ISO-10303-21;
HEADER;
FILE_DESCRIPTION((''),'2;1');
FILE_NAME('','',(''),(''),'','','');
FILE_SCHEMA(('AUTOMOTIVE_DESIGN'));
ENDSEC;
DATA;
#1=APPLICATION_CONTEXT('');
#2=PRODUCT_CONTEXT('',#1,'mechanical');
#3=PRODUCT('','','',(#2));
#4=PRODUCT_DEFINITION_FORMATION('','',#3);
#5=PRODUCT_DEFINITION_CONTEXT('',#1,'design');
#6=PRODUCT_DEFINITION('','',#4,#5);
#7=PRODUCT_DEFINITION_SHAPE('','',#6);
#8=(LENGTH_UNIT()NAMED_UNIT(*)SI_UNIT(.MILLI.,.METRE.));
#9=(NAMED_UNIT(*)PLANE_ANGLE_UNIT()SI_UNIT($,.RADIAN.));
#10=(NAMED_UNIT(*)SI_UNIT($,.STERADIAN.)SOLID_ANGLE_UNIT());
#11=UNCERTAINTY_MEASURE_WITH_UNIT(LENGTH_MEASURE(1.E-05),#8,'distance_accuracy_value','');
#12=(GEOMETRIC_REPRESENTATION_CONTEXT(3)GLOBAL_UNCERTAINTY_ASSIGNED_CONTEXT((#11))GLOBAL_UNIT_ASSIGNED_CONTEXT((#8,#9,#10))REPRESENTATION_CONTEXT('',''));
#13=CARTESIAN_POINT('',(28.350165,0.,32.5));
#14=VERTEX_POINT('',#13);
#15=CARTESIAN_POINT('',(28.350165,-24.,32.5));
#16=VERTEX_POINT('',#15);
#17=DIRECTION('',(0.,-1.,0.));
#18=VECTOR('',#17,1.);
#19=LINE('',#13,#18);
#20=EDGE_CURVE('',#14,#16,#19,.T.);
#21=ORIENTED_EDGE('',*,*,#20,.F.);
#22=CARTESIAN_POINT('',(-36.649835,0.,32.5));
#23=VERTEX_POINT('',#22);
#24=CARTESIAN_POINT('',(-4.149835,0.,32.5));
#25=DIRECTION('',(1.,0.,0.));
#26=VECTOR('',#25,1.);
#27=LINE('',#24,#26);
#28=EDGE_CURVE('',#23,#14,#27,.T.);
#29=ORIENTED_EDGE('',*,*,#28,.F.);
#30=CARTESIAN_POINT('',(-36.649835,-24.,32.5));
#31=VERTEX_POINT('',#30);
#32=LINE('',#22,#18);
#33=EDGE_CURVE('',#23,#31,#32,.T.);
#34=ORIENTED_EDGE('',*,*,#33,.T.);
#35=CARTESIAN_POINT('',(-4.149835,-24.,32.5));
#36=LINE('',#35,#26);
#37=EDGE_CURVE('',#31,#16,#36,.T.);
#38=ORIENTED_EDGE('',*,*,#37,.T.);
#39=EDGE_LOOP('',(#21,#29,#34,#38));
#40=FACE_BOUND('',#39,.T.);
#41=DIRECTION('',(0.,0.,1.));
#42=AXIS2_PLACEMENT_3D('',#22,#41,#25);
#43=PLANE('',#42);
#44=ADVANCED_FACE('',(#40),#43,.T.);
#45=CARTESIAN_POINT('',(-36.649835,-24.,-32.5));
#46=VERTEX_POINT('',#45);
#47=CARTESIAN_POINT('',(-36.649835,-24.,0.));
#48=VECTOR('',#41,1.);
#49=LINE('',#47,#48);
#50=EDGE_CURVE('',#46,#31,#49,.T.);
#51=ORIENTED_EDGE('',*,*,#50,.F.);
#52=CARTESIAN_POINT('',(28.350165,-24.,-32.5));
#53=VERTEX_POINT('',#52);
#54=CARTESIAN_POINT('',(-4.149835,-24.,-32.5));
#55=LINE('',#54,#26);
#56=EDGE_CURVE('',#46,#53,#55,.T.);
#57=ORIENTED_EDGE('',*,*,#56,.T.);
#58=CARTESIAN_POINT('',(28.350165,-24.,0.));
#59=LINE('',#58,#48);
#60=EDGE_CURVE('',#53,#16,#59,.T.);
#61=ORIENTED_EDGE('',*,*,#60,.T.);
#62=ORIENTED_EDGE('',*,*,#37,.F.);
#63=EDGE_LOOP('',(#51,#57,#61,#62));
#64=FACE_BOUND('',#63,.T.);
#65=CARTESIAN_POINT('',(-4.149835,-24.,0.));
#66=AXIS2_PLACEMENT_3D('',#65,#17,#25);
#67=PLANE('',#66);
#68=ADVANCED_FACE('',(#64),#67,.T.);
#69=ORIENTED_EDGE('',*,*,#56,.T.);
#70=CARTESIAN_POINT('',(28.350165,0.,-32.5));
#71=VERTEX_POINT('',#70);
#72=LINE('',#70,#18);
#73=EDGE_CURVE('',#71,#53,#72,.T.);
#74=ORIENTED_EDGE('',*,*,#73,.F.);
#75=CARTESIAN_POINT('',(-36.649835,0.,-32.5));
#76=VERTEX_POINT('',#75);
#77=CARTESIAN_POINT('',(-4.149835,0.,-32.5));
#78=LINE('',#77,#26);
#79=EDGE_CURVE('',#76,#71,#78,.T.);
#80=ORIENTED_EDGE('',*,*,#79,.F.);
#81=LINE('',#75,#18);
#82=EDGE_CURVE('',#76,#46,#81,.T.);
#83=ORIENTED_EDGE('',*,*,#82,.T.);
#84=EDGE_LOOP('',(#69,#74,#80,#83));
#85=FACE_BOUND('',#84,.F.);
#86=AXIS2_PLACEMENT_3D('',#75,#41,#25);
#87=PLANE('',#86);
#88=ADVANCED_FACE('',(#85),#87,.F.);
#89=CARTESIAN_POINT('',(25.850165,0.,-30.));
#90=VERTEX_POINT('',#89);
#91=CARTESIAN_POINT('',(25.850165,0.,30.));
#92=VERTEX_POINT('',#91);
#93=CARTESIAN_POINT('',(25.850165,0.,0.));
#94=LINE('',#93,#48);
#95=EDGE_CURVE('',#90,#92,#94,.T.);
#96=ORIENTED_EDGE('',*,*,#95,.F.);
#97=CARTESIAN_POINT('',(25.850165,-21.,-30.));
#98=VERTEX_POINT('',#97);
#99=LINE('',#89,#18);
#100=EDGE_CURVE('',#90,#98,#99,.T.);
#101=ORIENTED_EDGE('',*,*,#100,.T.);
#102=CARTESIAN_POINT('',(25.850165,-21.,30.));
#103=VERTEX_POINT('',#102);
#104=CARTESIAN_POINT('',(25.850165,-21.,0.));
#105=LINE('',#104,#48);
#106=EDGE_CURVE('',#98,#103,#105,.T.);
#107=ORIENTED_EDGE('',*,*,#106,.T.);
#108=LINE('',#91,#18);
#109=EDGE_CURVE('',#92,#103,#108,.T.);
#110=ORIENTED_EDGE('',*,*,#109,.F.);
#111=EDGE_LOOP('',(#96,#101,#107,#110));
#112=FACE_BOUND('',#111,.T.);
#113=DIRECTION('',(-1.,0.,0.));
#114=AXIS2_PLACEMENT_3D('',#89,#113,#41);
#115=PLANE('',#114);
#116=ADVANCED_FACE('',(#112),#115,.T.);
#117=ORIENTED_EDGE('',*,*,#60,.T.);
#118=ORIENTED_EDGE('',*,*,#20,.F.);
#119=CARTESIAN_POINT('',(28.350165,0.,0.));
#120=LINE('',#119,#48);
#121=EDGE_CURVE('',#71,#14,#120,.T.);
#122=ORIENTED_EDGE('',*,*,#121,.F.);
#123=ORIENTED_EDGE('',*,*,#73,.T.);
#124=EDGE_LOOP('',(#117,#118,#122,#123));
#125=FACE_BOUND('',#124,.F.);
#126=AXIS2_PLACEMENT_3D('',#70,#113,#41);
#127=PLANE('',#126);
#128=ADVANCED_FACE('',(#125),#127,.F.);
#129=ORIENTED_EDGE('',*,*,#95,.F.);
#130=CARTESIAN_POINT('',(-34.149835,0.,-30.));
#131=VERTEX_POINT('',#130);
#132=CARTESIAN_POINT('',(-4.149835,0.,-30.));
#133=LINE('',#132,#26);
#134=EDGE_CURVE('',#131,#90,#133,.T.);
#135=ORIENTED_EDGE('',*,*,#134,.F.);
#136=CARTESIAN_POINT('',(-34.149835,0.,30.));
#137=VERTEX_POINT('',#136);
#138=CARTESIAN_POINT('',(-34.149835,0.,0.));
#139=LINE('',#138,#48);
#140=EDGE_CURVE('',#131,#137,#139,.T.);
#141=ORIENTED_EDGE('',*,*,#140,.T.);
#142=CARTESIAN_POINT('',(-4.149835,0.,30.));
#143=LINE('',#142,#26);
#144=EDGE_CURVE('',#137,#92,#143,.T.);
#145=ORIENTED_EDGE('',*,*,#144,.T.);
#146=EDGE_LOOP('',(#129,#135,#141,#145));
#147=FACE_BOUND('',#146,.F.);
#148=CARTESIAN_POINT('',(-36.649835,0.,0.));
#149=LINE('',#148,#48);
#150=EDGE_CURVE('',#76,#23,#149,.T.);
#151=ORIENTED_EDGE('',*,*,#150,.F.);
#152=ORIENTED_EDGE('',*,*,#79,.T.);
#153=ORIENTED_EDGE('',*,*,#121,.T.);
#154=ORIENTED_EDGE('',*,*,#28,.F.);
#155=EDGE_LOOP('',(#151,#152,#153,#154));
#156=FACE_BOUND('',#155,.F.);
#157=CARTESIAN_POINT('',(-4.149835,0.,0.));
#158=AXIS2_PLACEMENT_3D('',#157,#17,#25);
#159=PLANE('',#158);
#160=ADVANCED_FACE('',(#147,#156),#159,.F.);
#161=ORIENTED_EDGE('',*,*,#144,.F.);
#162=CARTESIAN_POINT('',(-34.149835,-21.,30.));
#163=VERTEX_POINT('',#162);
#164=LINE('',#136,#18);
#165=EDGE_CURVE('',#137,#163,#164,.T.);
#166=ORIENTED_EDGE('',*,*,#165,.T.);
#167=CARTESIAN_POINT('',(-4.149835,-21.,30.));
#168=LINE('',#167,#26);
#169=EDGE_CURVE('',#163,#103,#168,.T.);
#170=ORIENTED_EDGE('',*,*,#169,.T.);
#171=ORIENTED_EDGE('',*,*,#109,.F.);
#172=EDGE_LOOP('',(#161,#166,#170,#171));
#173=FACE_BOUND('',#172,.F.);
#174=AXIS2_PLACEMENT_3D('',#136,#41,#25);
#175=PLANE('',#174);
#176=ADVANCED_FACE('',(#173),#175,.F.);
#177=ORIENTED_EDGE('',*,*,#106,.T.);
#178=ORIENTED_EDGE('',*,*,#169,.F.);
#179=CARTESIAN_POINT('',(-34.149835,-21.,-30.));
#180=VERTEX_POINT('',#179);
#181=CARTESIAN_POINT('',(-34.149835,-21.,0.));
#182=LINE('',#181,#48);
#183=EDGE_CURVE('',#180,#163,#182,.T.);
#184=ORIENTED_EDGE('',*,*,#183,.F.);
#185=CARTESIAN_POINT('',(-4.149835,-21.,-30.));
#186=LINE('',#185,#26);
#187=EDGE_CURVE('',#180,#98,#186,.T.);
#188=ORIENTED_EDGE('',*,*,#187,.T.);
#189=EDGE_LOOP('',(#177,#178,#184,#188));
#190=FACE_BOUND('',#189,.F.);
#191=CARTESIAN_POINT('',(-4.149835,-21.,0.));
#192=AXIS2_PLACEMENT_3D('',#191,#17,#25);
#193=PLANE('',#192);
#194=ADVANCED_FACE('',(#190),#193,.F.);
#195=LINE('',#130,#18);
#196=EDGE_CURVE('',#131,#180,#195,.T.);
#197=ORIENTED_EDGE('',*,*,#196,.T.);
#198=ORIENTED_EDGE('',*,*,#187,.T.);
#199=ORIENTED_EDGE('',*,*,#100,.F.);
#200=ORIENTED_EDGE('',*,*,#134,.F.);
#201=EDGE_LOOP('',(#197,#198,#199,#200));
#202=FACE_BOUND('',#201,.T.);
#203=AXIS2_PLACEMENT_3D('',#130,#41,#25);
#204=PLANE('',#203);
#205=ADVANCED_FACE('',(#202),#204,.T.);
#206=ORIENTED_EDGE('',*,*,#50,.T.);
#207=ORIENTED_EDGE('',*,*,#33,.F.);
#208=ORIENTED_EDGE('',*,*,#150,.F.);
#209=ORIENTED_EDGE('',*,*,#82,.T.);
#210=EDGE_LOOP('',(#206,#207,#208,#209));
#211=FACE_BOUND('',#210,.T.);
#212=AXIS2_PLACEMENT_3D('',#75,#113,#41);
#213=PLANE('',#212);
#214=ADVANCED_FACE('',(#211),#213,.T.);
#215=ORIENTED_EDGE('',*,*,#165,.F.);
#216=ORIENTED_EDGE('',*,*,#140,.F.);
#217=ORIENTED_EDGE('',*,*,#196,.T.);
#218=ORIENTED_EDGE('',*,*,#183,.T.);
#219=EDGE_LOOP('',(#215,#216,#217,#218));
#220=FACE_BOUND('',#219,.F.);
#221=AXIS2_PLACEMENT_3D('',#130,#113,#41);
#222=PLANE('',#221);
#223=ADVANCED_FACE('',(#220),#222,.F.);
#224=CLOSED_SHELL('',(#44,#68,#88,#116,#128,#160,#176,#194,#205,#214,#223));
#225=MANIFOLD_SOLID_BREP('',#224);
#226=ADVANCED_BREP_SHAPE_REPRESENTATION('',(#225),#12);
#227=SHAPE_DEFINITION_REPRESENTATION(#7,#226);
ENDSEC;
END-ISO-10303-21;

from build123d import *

# Parameters (mm, degrees)
F0_W     = 65
F0_H     = 65
F0_W_2   = 60
F0_H_2   = 60
F1_DEPTH = 24
F2_DEPTH = 21


with BuildPart() as f1:
    # F0 (on Front) → F1 (new body)
    with BuildSketch(Plane.XZ):
        with Locations((-4.1498354938, 0)):
            Rectangle(F0_W, F0_H)
        with Locations((-4.1498354938, 0)):
            Rectangle(F0_W_2, F0_H_2, mode=Mode.SUBTRACT)
        with Locations((-4.1498354938, 0)):
            Rectangle(F0_W_2, F0_H_2)
    extrude(amount=F1_DEPTH)

    # F0 (on Front) → F2 (cut)
    with BuildSketch(Plane.XZ):
        with Locations((-4.1498354938, 0)):
            Rectangle(F0_W_2, F0_H_2)
    extrude(amount=F2_DEPTH, mode=Mode.SUBTRACT)


solid = f1.part
